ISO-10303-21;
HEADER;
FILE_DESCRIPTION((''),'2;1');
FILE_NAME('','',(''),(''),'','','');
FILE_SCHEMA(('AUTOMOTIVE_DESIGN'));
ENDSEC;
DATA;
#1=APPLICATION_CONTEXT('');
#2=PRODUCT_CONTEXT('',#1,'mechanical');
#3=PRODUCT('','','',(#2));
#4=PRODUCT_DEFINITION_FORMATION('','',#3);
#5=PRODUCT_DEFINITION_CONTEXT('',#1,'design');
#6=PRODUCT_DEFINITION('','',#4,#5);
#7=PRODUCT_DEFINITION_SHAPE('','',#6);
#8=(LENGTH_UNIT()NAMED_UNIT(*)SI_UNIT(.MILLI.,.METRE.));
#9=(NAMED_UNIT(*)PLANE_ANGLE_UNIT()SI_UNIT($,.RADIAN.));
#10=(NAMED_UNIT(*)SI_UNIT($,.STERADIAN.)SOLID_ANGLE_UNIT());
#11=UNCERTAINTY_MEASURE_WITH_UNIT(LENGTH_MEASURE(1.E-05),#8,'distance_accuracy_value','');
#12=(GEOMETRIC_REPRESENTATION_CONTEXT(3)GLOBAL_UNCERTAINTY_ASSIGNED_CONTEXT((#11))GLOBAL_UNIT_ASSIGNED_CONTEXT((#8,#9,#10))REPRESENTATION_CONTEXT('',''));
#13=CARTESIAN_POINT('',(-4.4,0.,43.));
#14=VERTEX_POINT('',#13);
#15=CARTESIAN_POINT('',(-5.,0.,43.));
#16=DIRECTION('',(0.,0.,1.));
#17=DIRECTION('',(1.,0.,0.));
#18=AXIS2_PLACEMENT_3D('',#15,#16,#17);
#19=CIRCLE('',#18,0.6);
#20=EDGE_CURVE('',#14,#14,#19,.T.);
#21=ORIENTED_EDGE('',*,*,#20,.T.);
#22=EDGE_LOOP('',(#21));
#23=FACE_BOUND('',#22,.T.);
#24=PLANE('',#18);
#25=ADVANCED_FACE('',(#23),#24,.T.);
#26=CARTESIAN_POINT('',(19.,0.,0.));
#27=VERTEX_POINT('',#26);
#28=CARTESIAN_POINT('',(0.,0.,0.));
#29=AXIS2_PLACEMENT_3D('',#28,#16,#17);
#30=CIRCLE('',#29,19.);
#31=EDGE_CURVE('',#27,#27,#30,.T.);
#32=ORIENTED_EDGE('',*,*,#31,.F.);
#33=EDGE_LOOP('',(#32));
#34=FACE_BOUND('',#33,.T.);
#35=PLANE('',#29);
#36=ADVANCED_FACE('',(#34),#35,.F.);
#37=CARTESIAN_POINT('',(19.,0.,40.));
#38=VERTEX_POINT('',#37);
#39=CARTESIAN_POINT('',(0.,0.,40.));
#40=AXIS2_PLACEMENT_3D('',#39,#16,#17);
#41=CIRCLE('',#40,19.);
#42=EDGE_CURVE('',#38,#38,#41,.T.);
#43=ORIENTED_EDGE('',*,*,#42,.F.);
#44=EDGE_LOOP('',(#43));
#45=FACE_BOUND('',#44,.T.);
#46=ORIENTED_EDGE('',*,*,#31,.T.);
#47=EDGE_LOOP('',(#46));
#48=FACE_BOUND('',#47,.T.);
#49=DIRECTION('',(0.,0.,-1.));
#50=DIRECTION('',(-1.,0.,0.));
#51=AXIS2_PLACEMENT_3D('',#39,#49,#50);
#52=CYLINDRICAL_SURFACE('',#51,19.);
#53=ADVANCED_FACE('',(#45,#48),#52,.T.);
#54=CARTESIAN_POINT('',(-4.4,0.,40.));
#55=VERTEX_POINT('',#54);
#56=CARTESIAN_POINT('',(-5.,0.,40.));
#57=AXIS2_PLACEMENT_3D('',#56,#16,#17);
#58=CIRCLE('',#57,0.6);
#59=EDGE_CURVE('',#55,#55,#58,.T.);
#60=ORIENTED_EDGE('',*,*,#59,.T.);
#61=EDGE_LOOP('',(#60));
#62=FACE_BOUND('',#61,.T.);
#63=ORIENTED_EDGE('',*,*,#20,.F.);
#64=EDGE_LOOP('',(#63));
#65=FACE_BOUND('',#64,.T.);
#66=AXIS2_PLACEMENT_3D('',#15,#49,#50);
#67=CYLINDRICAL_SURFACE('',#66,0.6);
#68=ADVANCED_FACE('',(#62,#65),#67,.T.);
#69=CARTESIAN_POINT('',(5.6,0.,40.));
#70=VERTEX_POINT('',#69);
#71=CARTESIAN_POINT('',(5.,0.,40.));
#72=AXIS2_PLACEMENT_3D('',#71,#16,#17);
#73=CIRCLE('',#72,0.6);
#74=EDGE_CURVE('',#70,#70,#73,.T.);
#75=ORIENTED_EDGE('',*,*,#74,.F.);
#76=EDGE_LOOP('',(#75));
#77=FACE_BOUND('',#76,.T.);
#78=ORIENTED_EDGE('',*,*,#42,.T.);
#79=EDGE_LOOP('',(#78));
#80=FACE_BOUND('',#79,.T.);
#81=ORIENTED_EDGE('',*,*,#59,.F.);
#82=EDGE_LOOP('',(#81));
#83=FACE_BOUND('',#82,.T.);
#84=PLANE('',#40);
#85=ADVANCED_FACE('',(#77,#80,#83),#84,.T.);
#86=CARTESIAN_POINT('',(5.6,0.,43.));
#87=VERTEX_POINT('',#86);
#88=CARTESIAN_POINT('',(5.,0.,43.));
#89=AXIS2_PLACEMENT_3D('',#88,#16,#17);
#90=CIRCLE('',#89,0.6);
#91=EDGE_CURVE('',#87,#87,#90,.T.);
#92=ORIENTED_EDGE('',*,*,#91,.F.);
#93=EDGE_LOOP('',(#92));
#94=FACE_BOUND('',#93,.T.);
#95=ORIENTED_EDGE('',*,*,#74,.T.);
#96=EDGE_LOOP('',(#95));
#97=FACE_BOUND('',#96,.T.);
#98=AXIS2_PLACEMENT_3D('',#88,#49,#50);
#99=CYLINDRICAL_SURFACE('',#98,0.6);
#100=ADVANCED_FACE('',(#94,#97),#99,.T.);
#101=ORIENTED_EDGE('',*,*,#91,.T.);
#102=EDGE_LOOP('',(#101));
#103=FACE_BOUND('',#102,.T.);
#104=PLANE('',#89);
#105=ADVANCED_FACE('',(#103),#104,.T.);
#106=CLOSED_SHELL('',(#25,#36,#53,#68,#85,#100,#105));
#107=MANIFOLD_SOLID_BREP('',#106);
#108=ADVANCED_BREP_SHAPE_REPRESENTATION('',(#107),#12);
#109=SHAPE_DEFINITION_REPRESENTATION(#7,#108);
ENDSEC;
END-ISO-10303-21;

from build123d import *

# Parameters (mm, degrees)
SKETCH_1_R      = 19
EXTRUDE_1_DEPTH = 40
SKETCH_2_R      = 0.6
EXTRUDE_2_DEPTH = 3


with BuildPart() as part:
    # Эскиз1 → Вытянуть1 (new body)
    with BuildSketch(Plane.XY):
        Circle(SKETCH_1_R)
    extrude(amount=EXTRUDE_1_DEPTH)

    # Эскиз2 → Вытянуть2 (add)
    with BuildSketch(Plane.XY.offset(40)):
        with Locations((-5, 0)):
            Circle(SKETCH_2_R)
        with Locations((5, 0)):
            Circle(SKETCH_2_R)
    extrude(amount=EXTRUDE_2_DEPTH)


solid = part.part
